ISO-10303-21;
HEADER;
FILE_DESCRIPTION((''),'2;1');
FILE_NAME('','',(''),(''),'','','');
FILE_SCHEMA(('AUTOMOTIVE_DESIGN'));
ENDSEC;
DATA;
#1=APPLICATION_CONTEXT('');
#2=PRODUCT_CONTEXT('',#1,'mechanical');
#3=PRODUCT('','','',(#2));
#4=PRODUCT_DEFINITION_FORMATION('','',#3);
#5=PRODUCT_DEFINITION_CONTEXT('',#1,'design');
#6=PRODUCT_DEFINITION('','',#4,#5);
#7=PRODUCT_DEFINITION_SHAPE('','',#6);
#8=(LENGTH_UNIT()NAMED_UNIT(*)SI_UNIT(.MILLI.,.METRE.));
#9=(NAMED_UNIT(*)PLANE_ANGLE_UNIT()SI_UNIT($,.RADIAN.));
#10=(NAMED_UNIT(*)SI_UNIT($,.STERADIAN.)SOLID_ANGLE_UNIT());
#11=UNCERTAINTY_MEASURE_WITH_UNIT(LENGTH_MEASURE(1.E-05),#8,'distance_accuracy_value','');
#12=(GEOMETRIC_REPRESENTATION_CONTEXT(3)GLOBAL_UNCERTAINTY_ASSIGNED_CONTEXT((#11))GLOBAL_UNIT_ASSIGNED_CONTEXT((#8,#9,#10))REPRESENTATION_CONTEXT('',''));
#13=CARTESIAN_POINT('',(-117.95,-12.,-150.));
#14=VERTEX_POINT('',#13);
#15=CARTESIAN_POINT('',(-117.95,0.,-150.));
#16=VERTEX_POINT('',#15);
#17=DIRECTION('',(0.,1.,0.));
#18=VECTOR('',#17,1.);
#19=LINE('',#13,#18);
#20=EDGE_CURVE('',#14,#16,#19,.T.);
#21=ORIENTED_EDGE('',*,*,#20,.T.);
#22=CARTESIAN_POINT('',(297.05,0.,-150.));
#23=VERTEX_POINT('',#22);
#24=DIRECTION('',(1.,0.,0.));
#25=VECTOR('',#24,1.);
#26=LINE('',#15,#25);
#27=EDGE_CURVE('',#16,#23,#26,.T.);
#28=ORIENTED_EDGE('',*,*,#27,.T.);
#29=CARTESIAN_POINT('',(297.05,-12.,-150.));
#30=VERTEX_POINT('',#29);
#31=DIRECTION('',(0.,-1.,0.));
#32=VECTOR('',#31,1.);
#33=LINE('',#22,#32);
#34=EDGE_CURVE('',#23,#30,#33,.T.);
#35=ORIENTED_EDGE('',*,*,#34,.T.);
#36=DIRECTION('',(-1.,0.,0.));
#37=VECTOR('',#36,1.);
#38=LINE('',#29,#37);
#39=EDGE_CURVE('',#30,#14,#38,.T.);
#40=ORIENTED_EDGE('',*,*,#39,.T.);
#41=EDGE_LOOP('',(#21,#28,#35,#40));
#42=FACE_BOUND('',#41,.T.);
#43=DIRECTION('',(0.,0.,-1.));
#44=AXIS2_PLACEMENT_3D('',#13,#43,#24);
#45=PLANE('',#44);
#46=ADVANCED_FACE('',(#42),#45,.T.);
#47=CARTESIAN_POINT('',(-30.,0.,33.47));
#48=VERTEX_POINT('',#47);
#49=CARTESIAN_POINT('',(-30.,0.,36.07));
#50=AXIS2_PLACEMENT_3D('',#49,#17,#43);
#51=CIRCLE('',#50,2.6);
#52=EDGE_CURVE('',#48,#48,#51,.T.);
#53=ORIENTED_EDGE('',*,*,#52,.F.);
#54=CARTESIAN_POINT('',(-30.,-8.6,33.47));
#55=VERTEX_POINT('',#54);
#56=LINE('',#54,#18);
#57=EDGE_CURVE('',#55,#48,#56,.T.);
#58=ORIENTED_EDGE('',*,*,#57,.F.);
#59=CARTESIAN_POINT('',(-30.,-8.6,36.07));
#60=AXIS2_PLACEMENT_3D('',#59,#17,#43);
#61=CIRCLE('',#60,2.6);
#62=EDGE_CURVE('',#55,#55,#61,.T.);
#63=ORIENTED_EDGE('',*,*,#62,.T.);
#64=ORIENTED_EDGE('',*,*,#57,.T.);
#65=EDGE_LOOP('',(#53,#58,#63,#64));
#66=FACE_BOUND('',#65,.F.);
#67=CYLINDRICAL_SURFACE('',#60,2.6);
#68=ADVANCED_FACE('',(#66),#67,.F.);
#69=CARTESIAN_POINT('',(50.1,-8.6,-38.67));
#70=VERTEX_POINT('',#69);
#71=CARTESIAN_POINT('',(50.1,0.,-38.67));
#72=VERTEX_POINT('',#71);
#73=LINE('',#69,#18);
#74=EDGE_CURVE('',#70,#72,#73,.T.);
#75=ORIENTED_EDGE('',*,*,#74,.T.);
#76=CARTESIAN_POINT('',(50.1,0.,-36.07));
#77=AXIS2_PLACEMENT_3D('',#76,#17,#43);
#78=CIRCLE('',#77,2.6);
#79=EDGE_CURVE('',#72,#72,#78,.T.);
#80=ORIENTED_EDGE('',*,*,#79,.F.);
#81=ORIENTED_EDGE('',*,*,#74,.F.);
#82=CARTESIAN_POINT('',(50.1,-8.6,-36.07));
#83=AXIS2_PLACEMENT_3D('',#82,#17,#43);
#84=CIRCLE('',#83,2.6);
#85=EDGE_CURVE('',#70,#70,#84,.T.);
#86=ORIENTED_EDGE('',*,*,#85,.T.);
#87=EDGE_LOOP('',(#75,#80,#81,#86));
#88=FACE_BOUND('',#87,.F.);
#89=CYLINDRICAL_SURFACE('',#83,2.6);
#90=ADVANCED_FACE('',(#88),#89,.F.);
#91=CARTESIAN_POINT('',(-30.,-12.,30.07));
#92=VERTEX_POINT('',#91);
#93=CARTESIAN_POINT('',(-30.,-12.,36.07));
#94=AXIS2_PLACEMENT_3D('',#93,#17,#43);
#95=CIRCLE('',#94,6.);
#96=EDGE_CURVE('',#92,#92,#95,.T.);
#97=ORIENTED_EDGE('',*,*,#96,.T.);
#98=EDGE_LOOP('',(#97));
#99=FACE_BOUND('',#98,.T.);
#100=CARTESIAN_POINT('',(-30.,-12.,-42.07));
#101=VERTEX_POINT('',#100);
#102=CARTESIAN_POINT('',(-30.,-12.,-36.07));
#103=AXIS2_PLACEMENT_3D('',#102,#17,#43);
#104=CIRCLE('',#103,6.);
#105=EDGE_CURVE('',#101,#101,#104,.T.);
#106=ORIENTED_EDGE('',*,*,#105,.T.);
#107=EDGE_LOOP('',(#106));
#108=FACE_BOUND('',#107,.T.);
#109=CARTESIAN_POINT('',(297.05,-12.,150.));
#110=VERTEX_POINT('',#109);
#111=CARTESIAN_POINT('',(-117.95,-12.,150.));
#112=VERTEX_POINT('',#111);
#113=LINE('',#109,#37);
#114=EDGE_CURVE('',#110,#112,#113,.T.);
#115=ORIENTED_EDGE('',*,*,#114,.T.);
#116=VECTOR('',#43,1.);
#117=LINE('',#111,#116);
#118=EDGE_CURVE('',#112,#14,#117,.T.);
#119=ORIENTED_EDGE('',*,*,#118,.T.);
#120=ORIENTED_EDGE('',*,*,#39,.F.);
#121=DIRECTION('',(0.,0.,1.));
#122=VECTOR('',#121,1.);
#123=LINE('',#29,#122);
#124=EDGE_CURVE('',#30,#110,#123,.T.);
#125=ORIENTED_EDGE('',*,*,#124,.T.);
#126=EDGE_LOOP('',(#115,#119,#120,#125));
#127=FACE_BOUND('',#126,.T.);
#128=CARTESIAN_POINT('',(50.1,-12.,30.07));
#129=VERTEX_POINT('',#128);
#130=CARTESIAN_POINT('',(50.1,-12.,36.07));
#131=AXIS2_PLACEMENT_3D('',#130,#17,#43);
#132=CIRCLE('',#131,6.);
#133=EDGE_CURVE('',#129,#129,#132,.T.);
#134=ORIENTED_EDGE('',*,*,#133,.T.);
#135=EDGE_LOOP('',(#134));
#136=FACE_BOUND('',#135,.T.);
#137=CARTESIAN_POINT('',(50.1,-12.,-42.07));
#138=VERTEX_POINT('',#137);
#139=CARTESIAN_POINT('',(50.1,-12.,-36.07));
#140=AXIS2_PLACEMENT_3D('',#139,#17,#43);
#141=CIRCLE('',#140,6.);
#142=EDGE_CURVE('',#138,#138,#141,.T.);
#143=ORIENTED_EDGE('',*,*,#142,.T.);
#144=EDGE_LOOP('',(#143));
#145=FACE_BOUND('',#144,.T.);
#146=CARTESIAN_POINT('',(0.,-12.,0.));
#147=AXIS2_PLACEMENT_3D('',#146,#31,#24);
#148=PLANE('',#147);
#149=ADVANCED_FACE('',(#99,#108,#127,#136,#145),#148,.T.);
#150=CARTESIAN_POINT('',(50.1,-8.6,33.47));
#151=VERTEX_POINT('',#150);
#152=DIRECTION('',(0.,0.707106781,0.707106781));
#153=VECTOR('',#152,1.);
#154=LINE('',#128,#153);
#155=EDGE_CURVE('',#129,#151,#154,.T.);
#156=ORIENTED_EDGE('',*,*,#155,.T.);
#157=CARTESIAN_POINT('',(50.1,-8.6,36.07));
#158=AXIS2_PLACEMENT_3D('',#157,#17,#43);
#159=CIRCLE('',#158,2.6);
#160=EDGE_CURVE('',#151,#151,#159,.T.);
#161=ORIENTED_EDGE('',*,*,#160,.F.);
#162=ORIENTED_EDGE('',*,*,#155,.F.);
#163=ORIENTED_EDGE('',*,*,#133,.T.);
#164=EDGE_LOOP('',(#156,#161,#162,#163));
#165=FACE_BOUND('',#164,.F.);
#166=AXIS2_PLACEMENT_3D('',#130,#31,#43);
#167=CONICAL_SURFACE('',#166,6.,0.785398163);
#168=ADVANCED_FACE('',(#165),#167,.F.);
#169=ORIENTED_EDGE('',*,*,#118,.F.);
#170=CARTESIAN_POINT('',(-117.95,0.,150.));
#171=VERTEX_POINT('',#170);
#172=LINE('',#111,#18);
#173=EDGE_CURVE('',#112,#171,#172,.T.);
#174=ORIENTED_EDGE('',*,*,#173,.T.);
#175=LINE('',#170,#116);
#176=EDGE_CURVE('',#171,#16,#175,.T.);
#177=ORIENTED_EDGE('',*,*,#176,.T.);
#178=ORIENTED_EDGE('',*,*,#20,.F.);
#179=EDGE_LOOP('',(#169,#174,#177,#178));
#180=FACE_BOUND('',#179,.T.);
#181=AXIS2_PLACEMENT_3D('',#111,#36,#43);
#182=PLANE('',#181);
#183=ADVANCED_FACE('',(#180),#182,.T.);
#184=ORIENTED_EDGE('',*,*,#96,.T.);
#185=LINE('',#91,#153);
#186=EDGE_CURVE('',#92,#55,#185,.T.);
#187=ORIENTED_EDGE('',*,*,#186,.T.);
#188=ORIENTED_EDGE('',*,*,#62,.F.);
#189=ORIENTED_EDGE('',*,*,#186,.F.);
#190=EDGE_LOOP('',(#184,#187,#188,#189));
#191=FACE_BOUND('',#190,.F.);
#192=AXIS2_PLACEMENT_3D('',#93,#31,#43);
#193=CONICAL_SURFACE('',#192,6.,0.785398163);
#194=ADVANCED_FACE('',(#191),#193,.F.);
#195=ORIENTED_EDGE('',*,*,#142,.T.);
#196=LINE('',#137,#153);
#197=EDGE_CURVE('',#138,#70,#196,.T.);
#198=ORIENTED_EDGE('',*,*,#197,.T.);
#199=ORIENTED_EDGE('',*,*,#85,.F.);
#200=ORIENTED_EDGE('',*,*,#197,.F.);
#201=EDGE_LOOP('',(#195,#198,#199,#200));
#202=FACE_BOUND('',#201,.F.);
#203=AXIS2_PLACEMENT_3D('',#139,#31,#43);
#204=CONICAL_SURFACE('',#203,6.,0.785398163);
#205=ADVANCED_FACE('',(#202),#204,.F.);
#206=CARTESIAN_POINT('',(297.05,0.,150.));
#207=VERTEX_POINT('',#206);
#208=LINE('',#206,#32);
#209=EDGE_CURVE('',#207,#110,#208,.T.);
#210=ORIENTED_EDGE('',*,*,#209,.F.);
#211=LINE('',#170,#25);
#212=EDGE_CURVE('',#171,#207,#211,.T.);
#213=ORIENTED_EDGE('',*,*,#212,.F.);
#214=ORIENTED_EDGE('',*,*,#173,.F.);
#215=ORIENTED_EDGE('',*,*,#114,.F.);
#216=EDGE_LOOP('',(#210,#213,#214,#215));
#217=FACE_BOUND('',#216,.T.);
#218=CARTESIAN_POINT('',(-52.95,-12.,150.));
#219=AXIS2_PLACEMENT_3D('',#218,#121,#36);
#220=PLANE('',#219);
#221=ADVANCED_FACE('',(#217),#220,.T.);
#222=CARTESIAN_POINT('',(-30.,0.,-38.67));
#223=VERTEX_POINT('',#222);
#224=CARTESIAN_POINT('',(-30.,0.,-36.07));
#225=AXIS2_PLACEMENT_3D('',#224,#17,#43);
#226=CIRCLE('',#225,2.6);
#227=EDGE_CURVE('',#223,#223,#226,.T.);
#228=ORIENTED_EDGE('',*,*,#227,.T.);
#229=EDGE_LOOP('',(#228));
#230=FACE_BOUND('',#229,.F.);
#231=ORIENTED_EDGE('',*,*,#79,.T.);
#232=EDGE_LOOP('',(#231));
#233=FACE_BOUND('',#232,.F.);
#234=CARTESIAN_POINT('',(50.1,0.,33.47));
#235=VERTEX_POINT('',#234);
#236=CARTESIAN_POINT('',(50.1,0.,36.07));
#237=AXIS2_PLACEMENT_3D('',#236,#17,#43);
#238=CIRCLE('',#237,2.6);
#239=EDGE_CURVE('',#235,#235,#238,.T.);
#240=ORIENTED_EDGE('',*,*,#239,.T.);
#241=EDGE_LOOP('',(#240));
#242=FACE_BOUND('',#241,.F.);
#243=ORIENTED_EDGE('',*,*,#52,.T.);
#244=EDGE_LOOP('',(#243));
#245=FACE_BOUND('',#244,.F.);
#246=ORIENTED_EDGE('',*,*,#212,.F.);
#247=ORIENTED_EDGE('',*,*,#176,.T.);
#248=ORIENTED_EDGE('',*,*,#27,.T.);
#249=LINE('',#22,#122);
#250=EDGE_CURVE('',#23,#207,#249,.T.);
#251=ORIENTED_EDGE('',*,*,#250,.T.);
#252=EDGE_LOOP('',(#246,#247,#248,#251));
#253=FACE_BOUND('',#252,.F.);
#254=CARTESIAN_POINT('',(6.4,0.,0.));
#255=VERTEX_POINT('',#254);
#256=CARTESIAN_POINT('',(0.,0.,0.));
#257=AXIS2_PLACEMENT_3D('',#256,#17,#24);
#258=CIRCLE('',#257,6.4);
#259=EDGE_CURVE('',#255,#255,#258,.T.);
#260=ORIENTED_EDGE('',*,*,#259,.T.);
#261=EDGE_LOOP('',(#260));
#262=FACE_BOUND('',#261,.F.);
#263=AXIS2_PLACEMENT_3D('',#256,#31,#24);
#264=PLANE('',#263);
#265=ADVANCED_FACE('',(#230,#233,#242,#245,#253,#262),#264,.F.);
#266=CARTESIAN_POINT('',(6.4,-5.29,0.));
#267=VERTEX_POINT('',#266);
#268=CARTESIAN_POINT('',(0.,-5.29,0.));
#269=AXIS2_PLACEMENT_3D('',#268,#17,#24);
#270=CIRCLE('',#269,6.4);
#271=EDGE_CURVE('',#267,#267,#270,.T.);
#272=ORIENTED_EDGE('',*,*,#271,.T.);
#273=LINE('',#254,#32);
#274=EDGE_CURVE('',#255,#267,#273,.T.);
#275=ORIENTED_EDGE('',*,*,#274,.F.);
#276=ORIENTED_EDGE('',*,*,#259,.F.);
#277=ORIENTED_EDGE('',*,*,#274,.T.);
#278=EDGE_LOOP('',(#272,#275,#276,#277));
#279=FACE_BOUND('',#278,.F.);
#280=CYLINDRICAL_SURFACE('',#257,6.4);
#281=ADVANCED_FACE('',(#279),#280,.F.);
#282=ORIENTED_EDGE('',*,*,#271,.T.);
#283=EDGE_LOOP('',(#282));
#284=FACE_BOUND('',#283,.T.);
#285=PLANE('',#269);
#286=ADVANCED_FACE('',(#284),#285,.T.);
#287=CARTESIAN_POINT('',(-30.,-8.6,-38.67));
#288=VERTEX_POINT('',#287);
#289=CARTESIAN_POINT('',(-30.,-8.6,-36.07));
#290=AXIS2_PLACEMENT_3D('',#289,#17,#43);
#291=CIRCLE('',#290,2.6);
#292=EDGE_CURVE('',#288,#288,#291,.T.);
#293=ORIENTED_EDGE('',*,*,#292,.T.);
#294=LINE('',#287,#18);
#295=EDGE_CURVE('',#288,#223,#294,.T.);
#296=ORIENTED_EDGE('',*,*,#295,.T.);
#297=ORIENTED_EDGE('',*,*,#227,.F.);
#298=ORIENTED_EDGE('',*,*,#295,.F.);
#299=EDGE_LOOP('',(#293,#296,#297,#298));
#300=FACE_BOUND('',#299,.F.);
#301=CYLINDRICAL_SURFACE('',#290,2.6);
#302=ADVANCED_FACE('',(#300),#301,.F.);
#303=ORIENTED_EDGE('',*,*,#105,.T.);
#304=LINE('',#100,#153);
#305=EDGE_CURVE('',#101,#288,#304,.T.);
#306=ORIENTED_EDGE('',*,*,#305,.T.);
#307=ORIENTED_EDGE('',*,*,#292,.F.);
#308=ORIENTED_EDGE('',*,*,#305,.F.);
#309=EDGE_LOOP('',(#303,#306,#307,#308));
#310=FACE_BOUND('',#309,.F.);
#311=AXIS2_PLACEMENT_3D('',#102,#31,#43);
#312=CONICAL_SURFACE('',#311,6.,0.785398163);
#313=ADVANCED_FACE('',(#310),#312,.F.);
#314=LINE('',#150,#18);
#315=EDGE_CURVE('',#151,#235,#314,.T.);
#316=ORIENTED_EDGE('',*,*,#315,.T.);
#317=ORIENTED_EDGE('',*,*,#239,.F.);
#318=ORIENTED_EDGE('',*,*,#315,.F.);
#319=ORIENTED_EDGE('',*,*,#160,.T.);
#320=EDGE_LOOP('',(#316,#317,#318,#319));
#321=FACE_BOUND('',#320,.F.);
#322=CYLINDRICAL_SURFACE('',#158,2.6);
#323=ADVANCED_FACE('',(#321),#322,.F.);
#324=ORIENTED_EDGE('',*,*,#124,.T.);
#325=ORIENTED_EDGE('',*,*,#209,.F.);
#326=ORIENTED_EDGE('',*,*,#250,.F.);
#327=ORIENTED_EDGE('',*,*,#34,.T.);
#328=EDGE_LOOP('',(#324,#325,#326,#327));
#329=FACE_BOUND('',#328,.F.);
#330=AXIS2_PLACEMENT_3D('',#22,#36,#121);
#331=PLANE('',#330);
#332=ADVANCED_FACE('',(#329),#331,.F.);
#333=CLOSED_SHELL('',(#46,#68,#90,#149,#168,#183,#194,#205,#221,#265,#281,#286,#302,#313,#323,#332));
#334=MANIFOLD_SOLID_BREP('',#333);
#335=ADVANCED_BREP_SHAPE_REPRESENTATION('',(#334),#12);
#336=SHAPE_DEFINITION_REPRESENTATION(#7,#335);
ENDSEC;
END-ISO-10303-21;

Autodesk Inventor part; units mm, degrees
ref_plane "YZ Plane" through (0, 0, 0) normal (1, 0, 0) x (0, 1, 0)
ref_plane "XZ Plane" through (0, 0, 0) normal (0, 1, 0) x (-1, 0, 0)
ref_plane "XY Plane" through (0, 0, 0) normal (0, 0, 1) x (1, 0, 0)
sketch "Sketch7" plane through (0, 0, 0) normal (0, 1, 0) x (-1, 0, 0)
  line L0 (52.95, -150) -> (-297.05, -150)
  line L1 (-297.05, -150) -> (-297.05, 150)
  line L2 (-297.05, 150) -> (52.95, 150)
  line L3 (52.95, 150) -> (52.95, -150)
  point P0 (0, 0)
  point P1 (52.95, 0)
  dimension "d32" = 350
  dimension "d33" = 300
  dimension "d34" = 52.95
extrude "Extrusion4" add sketch "Sketch7" against normal blind 12
sketch "Sketch8" plane through (0, -12, 0) normal (0, -1, 0) x (1, 0, 0)
  line L0 (54.25, -50.07) -> (54.25, 50.07) projected
  line L1 (45.95, -50.07) -> (45.95, 50.07) projected
  line L2 (-34.15, -50.07) -> (-34.15, 50.07) projected
  line L3 (-25.85, -50.07) -> (-25.85, 50.07) projected
  line L4 (-34.15, -50.07) -> (-25.85, -50.07)
  line L5 (-34.15, 50.07) -> (-25.85, 50.07)
  line L6 (45.95, 50.07) -> (54.25, 50.07)
  line L7 (45.95, -50.07) -> (54.25, -50.07)
  line L8 (-30, -50.07) -> (-30, 50.07)
  line L9 (50.1, -50.07) -> (50.1, 50.07)
  line L10 (-25.85, 0) -> (45.95, 0)
  point P0 (0, 0)
  point P1 (-30, -36.07)
  point P2 (50.1, -36.07)
  point P3 (-30, 36.07)
  point P4 (50.1, 36.07)
  dimension "d37" = 14
hole "Hole3" at (-30, -12, -36.07) at (50.1, -12, -36.07) at (-30, -12, 36.07) at (50.1, -12, 36.07) direction (0, 1, 0) diameter 5.2 end through all countersink diameter 12 countersink angle 90
sketch "Sketch9" plane through (0, -12, 0) normal (0, -1, 0) x (1, 0, 0)
  line L0 (-52.95, 150) -> (-52.95, -150) projected
  line L1 (-52.95, 150) -> (-117.95, 150)
  line L2 (-117.95, 150) -> (-117.95, -150)
  line L3 (-117.95, -150) -> (-52.95, -150)
  line L4 (-52.95, -150) -> (-52.95, 150)
  point P0 (0, 0)
  dimension "d45" = 65
extrude "Extrusion5" add sketch "Sketch9" against normal up to surface (12 mm away)
sketch "Sketch10" plane through (0, 0, 0) normal (0, 1, 0) x (1, 0, 0)
  circle A0 centre (0, 0) radius 6.4
  line L0 (-117.95, -150) -> (-117.95, 150) projected
  point P0 (0, 0)
  point P1 (-117.95, 0)
  dimension "d48" = 117.95
  dimension "d49" = 12.8
extrude "Extrusion6" cut sketch "Sketch10" against normal blind 5.29
equation "\"TransitionRadius\" = BendRadius"
equation "\"BendRadius\" = 0.5"
properties part number "base_plates" material "Wood (Birch)"
